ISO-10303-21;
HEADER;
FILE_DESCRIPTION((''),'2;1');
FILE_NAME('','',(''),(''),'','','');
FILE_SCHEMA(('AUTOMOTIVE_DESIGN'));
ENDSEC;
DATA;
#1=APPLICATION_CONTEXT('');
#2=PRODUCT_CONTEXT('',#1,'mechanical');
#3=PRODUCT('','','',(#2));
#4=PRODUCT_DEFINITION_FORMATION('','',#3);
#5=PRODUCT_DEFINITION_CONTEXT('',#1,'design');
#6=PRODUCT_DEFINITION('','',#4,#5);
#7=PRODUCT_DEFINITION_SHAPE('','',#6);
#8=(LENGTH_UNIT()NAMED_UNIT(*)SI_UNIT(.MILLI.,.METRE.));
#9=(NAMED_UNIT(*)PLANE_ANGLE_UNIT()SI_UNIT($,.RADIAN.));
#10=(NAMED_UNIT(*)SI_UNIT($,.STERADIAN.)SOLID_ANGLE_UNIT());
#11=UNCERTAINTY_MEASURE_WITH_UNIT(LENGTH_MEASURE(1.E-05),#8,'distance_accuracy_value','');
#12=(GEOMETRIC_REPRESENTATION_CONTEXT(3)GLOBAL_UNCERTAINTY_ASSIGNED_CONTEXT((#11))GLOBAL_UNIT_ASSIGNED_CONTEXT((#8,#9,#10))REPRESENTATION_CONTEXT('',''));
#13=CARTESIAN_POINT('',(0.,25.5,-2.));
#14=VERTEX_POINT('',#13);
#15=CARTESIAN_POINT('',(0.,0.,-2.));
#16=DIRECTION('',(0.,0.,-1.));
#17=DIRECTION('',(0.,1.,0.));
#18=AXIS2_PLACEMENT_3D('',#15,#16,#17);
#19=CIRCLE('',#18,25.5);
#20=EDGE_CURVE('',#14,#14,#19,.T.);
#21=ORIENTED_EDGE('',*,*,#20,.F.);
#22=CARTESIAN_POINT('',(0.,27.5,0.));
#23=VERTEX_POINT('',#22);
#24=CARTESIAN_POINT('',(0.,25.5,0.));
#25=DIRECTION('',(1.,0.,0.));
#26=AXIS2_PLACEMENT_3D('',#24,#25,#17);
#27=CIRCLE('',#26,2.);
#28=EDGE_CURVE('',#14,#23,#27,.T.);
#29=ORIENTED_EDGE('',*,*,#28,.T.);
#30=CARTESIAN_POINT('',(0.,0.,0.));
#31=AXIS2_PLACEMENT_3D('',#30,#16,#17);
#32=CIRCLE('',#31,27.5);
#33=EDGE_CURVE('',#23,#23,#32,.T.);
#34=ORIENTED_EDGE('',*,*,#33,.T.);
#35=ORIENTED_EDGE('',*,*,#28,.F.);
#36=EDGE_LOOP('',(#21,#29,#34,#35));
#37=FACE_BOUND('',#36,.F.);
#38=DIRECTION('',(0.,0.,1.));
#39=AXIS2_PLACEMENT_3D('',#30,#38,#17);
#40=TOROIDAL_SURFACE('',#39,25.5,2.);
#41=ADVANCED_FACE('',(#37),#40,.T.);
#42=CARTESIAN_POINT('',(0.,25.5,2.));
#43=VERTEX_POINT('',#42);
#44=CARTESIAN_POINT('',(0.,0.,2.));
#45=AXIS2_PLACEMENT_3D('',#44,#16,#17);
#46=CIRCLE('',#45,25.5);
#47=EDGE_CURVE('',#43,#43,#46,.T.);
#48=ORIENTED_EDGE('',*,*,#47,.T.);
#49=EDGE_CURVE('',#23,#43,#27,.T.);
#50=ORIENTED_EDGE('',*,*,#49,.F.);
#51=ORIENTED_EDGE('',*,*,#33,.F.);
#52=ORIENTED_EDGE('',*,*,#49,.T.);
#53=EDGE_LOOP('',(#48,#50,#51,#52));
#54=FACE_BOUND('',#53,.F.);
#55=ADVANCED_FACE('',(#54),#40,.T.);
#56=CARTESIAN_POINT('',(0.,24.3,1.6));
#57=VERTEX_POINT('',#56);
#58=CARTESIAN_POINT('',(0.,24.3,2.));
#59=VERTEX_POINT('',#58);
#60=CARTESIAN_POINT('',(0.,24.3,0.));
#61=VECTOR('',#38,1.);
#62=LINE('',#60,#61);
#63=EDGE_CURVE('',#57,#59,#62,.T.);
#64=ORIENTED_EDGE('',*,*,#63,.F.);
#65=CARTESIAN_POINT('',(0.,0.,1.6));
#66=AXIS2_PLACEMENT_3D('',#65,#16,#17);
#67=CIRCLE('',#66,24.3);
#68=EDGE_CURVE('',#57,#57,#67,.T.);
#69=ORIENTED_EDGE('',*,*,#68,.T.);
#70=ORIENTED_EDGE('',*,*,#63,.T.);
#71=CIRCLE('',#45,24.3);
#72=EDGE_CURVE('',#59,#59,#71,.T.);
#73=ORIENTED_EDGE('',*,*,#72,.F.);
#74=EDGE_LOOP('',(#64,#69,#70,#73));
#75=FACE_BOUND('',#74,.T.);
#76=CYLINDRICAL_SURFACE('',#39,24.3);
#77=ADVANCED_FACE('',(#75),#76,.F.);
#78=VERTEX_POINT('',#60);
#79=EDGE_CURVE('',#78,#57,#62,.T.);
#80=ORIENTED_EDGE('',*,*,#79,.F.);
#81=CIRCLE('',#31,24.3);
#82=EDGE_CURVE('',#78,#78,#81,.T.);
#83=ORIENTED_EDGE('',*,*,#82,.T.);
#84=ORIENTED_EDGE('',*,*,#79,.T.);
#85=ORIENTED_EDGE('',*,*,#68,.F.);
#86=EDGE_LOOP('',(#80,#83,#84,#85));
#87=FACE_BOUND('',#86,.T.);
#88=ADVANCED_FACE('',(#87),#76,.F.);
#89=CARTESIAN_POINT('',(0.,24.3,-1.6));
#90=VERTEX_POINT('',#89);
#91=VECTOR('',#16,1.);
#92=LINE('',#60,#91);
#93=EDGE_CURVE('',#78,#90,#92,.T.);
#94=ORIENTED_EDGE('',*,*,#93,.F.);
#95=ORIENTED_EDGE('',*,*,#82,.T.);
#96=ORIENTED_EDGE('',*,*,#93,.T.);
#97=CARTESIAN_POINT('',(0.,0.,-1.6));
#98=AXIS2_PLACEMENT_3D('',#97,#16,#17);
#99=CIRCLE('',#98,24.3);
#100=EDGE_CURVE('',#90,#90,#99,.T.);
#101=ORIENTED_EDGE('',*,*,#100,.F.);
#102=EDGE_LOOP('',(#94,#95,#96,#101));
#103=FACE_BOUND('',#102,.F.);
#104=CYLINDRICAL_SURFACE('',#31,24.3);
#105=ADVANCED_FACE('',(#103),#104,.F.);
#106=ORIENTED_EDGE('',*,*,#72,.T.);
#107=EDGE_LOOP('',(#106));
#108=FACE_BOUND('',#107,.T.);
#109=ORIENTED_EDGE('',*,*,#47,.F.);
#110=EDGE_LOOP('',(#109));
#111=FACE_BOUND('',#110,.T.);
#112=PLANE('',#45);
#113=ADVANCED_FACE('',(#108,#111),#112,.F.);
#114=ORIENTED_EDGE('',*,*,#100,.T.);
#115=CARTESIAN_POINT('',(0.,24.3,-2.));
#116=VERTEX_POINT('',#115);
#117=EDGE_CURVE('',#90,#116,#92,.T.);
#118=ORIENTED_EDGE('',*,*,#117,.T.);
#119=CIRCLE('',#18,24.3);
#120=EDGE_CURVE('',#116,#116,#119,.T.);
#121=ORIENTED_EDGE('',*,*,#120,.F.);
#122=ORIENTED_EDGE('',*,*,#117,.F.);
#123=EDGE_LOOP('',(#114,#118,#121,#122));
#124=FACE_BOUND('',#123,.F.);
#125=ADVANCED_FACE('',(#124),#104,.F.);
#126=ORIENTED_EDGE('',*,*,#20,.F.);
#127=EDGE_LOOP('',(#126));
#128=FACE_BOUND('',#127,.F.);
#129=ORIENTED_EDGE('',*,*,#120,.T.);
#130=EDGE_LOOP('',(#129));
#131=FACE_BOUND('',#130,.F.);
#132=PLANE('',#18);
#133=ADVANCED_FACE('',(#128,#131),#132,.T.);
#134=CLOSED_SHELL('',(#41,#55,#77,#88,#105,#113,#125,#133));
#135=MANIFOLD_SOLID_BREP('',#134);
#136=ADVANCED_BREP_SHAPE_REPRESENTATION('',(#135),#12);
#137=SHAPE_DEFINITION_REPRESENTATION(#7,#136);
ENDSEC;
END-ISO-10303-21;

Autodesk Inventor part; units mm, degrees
ref_plane "YZ Plane" through (0, 0, 0) normal (1, 0, 0) x (0, 1, 0)
ref_plane "XZ Plane" through (0, 0, 0) normal (0, 1, 0) x (-1, 0, 0)
ref_plane "XY Plane" through (0, 0, 0) normal (0, 0, 1) x (1, 0, 0)
sketch "スケッチ1" plane through (0, 0, 0) normal (1, 0, 0) x (0, 1, 0)
  line L0 (24.3, 0) -> (24.3, 2)
  line L1 (24.3, 0) -> (24.3, -2)
  circle A0 centre (25.5, 0) radius 2
  line L2 (24.3, 2) -> (25.5, 2)
  line L3 (24.3, -2) -> (25.5, -2)
  line L4 (0, 0) -> (0, -5)
  point P0 (27.5, 0)
  dimension "d0" = 2
  dimension "d1" = 2
  dimension "d2" = 24.3
  dimension "d3" = 27.5
  dimension "d4" = 4
  dimension "d5" = 5
revolve "回転1" add sketch "スケッチ1" angle 360 about axis through (0, 0, 0) along (0, 0, -1) picked at (26.4166, -0.1483) contours L0 A0 L1 | L0 L2 A0 | A0 L3 L1
properties part number "tamiya-slim-tire-gomu"
